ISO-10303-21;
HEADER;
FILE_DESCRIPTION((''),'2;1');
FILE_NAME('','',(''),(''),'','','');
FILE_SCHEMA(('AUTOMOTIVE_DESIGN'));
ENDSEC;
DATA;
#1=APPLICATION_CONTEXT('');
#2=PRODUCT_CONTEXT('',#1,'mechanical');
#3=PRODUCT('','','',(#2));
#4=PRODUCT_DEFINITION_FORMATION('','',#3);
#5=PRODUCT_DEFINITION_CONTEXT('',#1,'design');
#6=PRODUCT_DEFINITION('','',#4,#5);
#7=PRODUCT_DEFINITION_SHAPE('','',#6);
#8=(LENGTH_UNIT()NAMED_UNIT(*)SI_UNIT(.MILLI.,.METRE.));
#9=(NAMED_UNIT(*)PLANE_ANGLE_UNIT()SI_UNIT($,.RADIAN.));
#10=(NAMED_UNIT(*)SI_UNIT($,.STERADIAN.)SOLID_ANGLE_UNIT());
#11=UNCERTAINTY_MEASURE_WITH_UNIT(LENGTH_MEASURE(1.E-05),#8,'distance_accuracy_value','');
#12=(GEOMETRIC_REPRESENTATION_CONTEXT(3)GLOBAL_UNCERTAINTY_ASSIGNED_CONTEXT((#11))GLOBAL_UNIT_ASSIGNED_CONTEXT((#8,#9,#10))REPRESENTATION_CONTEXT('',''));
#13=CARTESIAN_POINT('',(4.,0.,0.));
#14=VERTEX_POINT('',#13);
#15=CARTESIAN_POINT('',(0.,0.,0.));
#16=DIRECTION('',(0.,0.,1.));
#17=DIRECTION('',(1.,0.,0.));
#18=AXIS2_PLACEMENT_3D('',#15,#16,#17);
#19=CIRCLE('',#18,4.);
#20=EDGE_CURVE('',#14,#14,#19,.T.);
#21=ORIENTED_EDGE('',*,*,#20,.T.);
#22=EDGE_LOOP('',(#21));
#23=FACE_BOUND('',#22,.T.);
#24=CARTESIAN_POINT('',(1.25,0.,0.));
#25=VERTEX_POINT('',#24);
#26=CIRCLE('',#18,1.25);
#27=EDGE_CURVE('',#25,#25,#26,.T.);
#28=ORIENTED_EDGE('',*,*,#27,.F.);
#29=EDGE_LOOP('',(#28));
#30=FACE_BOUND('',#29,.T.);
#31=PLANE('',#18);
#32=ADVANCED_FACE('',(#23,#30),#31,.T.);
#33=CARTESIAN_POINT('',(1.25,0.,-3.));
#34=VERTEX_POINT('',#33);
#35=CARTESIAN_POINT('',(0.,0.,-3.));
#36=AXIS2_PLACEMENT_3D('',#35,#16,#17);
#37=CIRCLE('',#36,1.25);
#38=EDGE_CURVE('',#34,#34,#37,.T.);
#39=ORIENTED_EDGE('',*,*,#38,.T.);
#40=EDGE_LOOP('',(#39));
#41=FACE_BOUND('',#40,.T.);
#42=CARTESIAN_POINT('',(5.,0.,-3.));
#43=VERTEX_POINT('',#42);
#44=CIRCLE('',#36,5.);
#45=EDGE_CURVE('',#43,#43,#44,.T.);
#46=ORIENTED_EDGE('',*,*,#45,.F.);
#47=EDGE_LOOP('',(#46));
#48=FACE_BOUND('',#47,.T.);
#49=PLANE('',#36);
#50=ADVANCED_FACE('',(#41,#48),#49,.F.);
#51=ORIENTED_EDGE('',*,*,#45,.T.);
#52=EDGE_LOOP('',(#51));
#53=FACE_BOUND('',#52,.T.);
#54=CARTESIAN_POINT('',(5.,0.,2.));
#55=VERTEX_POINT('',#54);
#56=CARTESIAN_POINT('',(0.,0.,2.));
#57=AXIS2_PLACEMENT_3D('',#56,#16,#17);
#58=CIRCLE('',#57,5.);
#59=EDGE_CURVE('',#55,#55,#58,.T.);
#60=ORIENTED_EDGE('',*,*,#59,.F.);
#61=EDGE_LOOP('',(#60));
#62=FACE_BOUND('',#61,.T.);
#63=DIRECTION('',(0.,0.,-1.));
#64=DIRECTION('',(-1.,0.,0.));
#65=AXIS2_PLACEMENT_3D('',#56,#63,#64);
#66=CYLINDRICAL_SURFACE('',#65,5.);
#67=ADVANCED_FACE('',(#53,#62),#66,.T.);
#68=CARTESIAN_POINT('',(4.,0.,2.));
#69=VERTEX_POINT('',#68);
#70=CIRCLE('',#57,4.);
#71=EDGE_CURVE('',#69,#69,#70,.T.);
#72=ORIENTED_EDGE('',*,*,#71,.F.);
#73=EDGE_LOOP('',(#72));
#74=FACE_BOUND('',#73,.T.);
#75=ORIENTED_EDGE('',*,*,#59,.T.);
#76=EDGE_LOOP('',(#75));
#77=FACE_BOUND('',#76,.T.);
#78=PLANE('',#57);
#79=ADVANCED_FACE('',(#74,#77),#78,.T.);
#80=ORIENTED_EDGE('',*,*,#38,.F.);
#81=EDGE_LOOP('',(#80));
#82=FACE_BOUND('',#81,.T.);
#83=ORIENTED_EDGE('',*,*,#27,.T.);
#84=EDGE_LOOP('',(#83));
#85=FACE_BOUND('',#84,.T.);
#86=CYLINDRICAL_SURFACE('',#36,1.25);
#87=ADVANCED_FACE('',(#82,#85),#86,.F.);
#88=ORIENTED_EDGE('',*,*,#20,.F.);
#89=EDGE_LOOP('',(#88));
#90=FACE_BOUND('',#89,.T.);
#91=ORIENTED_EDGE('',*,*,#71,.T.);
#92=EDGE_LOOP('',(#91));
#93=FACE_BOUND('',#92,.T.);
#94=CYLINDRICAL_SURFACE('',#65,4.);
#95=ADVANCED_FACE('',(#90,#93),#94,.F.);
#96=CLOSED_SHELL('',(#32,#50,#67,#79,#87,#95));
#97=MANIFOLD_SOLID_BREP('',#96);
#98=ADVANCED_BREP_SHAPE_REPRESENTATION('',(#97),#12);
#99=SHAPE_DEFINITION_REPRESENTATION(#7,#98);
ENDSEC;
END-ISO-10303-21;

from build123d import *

# Parameters (mm, degrees)
SKETCH1_R           = 5
SKETCH1_R_2         = 4
BOSS_EXTRUDE1_DEPTH = 2
BOSS_EXTRUDE2_START = -3
SKETCH1_3_R         = 5
SKETCH1_3_R_2       = 1.25
BOSS_EXTRUDE2_DEPTH = 3


with BuildPart() as part:
    # Sketch1 → Boss-Extrude1 (new body)
    with BuildSketch(Plane.XY):
        Circle(SKETCH1_R)
        Circle(SKETCH1_R_2, mode=Mode.SUBTRACT)
    extrude(amount=BOSS_EXTRUDE1_DEPTH)

    # Sketch1<3> → Boss-Extrude2 (add)
    with BuildSketch(Plane.XY.offset(BOSS_EXTRUDE2_START)):
        Circle(SKETCH1_3_R)
        Circle(SKETCH1_3_R_2, mode=Mode.SUBTRACT)
    extrude(amount=BOSS_EXTRUDE2_DEPTH)


solid = part.part
